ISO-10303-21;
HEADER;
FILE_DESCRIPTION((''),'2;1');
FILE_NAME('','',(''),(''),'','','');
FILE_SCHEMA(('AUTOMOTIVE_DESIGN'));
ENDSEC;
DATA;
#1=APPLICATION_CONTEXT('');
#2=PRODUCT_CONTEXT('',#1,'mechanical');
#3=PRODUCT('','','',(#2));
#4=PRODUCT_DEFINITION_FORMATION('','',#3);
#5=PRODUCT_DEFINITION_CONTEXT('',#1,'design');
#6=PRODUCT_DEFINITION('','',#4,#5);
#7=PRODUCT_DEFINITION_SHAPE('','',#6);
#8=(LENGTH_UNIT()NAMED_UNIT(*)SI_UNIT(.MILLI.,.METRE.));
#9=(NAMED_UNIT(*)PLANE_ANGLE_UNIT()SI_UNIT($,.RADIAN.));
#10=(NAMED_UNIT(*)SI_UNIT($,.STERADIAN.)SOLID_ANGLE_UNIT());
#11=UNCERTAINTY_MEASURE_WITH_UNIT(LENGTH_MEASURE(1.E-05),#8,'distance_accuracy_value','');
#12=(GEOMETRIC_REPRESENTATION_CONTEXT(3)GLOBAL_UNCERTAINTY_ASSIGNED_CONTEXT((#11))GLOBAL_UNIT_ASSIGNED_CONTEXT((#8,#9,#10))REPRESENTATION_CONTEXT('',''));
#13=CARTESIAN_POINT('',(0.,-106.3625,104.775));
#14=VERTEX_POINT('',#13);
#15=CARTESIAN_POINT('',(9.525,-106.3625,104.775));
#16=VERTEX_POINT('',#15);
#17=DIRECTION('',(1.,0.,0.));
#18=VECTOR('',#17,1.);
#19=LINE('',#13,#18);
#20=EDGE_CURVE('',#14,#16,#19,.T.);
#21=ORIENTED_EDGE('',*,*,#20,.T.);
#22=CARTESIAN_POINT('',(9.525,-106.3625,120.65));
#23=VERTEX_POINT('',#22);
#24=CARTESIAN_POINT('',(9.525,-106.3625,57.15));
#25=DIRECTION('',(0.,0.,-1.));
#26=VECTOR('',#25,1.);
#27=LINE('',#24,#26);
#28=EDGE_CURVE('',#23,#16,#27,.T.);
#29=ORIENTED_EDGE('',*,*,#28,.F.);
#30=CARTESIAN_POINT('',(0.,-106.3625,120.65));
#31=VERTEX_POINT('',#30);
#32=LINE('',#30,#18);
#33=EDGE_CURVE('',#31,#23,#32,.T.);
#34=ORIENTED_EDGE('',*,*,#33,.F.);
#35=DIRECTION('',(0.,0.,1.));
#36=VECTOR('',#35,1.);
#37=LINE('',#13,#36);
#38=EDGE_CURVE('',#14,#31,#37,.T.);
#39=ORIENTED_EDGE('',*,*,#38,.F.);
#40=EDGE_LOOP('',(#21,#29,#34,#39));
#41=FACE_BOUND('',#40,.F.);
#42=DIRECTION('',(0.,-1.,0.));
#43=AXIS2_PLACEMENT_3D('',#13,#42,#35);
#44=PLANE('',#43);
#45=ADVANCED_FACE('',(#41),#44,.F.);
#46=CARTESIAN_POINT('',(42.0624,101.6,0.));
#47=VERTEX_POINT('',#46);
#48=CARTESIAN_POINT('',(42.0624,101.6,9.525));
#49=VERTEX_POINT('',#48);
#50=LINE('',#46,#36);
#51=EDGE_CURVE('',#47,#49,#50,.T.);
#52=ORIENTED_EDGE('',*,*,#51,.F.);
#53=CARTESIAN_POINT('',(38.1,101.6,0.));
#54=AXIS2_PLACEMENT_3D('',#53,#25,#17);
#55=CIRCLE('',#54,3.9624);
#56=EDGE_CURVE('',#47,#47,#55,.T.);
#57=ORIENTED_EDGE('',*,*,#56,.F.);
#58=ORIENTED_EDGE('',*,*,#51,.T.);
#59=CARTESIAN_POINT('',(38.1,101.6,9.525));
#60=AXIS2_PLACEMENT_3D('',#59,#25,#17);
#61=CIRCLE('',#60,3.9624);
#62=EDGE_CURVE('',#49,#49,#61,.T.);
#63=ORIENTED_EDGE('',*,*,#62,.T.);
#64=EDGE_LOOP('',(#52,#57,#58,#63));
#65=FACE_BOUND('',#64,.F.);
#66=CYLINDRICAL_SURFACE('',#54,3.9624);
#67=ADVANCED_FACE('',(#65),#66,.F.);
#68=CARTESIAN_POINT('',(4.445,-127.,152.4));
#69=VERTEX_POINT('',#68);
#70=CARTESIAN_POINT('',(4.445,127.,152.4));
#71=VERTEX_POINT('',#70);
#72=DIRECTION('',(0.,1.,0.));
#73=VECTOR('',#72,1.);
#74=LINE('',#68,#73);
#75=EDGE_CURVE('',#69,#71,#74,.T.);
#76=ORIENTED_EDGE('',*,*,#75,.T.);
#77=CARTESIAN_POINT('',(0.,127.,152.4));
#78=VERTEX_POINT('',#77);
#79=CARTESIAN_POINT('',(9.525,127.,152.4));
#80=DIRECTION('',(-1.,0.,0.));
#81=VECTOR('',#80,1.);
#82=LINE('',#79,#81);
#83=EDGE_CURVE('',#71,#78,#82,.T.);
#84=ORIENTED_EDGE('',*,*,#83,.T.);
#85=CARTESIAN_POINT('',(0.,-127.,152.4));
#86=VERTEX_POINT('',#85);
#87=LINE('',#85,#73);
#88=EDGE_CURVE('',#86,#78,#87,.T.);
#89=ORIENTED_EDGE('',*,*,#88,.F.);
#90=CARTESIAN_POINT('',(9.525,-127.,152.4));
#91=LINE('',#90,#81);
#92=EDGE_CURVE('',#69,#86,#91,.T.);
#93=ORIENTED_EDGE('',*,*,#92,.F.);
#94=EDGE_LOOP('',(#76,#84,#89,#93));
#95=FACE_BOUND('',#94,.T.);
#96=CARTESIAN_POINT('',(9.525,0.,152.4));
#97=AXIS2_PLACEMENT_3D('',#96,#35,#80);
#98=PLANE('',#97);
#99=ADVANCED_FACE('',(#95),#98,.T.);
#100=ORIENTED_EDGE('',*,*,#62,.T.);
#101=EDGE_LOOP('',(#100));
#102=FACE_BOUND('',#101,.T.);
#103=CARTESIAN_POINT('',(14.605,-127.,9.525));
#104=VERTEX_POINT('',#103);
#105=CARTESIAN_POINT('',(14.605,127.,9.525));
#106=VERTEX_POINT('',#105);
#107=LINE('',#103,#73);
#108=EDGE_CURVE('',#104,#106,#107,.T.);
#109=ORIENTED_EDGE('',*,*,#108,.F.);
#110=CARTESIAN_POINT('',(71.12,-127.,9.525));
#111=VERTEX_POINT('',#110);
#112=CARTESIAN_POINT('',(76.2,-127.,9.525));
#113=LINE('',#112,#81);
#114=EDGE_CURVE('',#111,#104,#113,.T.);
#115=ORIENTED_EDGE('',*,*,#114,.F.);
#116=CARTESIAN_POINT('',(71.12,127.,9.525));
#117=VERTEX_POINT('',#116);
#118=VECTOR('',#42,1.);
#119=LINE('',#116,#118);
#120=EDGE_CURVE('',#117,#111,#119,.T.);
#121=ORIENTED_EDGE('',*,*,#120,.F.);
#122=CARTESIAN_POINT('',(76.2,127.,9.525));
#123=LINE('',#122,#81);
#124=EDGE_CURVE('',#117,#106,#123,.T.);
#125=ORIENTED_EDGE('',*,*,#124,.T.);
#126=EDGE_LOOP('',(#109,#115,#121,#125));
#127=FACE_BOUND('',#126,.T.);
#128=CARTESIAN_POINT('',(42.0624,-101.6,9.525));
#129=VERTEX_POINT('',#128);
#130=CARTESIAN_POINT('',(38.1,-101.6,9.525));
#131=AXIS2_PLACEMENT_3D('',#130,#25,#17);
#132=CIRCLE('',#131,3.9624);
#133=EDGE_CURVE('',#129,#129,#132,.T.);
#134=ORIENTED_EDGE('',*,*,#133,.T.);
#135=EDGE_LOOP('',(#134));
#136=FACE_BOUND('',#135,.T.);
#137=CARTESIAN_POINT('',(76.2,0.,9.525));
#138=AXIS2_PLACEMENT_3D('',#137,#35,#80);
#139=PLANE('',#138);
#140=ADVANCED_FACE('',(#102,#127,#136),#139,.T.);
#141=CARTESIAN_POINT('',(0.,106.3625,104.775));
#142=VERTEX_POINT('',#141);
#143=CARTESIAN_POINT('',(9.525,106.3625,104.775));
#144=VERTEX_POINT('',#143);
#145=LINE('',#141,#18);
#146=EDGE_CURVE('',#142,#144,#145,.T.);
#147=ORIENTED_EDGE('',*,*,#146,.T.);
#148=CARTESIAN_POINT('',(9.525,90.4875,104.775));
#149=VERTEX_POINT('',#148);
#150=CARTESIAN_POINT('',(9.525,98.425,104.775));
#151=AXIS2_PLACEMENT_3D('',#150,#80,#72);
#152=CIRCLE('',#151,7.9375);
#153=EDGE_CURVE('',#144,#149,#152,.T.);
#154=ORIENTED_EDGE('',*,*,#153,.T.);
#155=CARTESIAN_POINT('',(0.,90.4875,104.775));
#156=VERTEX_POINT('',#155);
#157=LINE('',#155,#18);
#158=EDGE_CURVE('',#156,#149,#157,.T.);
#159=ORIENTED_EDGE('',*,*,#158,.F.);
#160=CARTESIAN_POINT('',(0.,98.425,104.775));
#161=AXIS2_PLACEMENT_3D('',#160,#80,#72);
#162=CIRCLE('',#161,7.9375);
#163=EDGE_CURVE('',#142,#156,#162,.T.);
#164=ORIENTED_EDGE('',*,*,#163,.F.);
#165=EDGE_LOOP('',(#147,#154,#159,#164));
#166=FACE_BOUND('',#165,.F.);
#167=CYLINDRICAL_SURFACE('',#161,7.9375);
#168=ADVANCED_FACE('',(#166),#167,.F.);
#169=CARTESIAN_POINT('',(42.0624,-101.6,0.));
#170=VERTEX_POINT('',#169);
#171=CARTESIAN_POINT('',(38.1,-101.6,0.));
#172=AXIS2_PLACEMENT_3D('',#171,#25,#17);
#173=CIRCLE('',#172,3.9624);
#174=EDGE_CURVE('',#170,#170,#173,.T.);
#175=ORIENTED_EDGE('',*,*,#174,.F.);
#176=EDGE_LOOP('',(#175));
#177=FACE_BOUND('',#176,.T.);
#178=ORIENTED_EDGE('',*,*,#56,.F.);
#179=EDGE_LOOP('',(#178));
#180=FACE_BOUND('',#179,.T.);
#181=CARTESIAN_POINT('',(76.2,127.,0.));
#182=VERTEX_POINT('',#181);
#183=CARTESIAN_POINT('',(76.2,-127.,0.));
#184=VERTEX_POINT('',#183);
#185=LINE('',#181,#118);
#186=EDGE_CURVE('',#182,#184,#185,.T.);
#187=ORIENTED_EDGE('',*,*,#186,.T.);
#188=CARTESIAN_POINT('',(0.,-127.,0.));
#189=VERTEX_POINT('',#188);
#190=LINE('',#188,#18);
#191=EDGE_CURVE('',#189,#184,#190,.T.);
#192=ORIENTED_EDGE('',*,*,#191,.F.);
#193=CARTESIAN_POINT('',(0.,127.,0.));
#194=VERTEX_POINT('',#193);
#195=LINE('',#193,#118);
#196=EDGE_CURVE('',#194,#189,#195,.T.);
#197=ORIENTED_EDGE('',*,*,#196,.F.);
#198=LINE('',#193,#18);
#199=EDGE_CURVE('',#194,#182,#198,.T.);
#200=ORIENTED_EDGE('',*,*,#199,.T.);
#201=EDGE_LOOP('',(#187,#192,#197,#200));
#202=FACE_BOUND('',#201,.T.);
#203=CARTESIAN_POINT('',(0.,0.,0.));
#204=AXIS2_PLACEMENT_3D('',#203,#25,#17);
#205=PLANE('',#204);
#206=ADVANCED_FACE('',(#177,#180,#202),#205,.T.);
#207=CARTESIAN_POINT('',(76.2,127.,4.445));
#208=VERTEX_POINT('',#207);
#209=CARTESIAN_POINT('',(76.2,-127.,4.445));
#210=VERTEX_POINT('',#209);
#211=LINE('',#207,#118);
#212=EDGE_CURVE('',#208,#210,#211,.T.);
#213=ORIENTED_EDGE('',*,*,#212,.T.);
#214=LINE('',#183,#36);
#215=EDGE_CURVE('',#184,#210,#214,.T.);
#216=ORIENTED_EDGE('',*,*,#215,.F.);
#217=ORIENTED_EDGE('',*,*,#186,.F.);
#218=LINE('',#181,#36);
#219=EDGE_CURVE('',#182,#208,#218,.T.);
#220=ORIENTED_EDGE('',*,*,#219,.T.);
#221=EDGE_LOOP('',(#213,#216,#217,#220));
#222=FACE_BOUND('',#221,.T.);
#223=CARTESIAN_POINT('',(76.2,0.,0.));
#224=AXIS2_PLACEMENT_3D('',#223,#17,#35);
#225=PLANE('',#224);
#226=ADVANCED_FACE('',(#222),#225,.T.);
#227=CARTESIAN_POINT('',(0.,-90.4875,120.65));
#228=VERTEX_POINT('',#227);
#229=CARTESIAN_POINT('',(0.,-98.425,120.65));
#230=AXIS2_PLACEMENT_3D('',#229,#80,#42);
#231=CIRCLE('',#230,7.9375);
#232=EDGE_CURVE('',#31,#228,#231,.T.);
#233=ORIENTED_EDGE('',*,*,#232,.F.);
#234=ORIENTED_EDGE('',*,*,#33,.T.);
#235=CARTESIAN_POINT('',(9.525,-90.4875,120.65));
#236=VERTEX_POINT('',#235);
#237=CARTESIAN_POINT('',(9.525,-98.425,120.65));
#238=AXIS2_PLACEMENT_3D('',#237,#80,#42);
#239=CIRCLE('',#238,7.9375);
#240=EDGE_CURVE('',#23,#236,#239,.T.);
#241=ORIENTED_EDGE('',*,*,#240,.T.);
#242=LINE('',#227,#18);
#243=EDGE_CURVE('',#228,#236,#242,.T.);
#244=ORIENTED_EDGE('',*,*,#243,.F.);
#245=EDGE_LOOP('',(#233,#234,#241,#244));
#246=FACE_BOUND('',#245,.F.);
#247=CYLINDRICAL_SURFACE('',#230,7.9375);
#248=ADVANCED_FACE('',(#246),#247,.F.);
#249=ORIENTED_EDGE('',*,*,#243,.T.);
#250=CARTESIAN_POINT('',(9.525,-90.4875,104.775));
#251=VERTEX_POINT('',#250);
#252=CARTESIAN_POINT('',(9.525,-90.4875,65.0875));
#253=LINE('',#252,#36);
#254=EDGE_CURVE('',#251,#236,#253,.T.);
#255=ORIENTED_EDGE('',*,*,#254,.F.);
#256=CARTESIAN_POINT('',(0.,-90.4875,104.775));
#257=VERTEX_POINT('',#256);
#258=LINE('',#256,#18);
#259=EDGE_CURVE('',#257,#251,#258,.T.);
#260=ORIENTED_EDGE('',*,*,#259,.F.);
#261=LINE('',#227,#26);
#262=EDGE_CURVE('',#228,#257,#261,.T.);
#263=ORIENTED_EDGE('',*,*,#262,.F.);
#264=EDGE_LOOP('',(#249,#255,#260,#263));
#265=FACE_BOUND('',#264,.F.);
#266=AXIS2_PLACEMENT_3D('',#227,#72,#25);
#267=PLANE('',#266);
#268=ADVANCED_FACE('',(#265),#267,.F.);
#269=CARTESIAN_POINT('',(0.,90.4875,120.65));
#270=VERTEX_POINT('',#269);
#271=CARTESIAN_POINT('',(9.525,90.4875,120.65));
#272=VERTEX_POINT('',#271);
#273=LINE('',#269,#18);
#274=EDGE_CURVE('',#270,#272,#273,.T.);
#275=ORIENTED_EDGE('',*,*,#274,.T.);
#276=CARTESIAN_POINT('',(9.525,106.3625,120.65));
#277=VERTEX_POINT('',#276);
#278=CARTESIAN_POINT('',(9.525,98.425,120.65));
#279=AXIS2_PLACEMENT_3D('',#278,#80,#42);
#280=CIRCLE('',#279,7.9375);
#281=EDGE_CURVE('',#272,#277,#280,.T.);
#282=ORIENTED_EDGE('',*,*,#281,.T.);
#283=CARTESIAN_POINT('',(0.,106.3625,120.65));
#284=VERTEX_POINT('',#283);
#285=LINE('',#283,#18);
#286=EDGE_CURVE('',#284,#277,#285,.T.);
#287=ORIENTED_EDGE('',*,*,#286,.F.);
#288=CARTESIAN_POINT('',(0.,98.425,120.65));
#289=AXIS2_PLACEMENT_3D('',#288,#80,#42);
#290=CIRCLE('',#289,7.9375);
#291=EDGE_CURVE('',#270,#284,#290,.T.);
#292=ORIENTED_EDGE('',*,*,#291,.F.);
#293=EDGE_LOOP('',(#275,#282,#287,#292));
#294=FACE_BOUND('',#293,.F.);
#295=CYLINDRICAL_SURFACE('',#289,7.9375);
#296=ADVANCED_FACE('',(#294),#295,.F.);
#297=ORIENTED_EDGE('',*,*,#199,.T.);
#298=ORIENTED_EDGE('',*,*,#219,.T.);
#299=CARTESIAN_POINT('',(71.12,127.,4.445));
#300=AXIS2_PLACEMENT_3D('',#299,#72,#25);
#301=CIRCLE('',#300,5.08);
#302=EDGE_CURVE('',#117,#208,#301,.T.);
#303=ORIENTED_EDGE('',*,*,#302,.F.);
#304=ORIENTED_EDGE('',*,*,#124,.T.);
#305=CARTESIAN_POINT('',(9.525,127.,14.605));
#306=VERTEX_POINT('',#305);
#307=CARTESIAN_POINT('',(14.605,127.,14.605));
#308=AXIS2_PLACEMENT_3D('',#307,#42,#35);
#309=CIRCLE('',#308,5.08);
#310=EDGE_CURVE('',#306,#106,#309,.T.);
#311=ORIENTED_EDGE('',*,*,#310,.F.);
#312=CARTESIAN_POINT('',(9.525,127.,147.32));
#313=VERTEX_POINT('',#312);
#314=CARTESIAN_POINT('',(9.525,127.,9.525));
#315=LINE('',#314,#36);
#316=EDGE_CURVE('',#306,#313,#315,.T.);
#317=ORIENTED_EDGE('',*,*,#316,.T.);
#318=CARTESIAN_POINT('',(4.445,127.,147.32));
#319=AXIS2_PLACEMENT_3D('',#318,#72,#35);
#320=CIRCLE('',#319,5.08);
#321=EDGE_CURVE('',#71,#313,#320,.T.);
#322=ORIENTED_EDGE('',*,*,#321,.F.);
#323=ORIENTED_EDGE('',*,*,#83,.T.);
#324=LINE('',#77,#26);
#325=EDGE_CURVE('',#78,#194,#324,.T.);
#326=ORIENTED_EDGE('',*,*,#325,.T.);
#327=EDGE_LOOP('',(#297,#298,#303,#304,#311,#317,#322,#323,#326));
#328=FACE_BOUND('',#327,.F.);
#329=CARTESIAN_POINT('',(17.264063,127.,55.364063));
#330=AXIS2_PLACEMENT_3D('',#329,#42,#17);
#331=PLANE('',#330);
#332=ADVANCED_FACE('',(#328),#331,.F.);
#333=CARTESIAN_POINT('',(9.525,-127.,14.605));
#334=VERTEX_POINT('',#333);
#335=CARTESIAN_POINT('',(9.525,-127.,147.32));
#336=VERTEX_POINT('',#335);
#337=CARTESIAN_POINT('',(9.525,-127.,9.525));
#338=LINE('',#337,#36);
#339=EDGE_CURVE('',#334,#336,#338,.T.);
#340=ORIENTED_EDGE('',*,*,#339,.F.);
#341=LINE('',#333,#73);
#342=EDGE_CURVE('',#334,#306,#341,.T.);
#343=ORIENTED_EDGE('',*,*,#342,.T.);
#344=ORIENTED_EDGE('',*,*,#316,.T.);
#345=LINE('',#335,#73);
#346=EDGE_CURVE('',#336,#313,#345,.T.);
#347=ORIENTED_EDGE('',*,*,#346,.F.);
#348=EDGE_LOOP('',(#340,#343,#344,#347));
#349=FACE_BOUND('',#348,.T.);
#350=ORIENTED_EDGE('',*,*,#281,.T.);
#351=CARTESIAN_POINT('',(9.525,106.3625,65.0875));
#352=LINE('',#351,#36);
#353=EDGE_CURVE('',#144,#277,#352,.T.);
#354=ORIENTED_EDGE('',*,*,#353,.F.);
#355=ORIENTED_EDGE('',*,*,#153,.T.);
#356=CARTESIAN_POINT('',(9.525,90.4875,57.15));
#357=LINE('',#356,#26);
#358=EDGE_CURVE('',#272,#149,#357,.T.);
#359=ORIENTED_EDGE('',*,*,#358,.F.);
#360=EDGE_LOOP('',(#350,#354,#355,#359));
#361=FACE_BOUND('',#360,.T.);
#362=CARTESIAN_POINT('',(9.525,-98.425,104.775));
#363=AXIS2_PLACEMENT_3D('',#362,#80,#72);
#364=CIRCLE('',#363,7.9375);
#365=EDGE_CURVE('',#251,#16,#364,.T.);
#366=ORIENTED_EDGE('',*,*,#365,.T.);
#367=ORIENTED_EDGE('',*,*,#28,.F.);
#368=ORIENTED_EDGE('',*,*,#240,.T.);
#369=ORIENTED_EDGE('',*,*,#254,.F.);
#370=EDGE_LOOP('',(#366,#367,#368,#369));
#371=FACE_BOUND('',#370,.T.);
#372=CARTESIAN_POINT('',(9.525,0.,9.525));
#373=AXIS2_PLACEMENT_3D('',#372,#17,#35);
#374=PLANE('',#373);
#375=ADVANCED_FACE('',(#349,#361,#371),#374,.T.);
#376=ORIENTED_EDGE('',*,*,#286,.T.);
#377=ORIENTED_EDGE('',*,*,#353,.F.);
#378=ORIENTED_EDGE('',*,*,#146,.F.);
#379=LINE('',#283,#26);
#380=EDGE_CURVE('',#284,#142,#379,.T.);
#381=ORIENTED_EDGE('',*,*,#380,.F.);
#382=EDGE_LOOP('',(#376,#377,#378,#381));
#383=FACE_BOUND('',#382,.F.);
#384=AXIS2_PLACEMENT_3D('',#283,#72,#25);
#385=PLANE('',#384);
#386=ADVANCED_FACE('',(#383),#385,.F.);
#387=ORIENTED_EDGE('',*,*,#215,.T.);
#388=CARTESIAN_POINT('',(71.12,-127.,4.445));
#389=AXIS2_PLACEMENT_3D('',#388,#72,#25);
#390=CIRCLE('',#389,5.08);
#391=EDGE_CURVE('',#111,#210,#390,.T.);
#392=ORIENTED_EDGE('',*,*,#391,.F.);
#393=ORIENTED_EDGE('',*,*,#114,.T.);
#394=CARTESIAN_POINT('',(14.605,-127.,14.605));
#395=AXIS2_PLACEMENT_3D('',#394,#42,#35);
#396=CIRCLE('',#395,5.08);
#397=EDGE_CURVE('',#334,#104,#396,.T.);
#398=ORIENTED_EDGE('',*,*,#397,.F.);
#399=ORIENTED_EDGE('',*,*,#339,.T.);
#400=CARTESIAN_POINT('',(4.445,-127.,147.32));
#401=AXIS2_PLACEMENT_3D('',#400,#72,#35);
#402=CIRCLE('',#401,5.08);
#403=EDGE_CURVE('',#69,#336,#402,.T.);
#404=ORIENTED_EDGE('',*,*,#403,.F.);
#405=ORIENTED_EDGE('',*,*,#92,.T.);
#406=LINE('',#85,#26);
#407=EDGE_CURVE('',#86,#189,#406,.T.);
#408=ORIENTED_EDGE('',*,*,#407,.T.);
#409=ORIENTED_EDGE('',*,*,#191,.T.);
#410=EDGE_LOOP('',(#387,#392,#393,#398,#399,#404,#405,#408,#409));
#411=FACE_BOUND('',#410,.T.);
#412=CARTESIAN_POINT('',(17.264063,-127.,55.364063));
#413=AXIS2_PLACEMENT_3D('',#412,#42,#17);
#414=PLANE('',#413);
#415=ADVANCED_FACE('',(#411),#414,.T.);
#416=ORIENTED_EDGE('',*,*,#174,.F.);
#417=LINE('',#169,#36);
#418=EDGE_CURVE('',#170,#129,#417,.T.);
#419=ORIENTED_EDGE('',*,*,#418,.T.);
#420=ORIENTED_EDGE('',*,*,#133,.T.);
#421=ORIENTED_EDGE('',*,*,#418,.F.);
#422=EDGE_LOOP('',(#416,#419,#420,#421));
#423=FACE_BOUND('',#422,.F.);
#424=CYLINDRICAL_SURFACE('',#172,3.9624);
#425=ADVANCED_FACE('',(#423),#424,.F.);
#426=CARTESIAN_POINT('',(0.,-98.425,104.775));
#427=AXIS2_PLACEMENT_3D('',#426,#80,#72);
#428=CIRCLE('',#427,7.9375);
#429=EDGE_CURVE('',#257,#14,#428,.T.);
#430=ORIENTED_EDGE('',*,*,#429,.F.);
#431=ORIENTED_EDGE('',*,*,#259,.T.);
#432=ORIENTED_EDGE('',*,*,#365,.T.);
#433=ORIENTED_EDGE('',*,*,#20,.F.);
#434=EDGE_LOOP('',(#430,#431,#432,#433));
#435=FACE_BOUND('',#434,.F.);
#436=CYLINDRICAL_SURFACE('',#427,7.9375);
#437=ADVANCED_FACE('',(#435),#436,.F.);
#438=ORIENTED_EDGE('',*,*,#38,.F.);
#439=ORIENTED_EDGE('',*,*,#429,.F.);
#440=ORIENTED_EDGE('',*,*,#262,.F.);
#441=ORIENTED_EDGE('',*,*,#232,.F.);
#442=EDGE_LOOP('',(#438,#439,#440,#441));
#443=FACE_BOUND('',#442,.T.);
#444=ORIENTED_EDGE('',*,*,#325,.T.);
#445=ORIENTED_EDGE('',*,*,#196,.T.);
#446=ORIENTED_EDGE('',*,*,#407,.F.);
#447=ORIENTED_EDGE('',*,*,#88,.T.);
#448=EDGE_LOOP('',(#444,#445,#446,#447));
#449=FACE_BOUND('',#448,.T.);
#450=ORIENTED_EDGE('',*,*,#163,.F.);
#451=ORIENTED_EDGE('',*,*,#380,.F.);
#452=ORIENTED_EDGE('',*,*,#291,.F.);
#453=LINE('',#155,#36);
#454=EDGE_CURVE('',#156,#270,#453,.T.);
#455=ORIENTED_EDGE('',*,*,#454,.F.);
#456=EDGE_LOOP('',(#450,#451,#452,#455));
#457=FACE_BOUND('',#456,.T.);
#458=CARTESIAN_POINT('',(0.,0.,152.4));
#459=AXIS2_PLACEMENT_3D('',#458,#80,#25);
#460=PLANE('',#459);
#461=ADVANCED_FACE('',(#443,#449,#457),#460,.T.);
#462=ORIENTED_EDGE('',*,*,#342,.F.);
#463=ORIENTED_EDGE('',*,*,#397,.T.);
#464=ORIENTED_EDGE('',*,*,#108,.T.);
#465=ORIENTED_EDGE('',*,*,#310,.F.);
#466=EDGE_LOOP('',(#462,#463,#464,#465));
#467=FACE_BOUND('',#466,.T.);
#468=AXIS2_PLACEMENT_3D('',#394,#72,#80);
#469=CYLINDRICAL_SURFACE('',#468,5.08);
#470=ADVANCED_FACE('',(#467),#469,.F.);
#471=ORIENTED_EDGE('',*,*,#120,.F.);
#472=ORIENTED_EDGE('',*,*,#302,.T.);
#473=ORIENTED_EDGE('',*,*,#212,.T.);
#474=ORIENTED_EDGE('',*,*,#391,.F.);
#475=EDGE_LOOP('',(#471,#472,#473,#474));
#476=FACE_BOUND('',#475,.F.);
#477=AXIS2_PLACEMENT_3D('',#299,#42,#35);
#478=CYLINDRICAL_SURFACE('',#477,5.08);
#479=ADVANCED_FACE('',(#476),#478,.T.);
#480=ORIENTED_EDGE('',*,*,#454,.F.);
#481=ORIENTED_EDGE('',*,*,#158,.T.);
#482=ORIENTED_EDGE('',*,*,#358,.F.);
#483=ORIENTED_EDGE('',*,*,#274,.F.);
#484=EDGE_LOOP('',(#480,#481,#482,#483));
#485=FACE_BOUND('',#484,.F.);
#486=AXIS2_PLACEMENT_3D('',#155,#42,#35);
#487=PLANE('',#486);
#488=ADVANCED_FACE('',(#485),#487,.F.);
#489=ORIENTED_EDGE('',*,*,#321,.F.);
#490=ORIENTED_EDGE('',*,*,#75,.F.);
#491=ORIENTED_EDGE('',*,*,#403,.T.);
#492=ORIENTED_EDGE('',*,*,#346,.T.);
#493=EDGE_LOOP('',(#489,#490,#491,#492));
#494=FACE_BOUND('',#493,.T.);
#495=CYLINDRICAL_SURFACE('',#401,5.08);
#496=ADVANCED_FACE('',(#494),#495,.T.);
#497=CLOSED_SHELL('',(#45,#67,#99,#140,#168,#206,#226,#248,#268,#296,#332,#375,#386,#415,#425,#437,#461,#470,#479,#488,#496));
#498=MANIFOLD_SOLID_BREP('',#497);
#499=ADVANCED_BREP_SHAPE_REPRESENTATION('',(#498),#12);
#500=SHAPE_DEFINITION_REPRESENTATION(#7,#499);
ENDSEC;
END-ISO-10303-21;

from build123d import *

# Parameters (mm, degrees)
F1_DEPTH = 127
F2_R     = 5.08
F4_DEPTH = 25.4
F5_R     = 3.9624
F6_DEPTH = 25.4


with BuildPart() as f1:
    # F0 (on Front) → F1 (new body, symmetric)
    with BuildSketch(Plane.XZ):
        Polygon((0, 152.4), (0, 0), (76.2, 0), (76.2, 9.525), (9.525, 9.525), (9.525, 152.4), align=None)
    extrude(amount=F1_DEPTH, both=True)

    # F2
    f2_edges = [f1.edges().sort_by_distance(p)[0] for p in [
        (9.525, 0, 152.4),
        (9.525, 0, 9.525),
        (76.2, 0, 9.525),
    ]]
    fillet(f2_edges, radius=F2_R)

    # F3 (on face) → F4 (cut)
    with BuildSketch(Plane(origin=(0, 0, 0), x_dir=(0, -1, 0), z_dir=(-1, 0, 0))):
        with BuildLine():
            Line((-90.4875, 104.775), (-90.4875, 120.65))
            ThreePointArc((-90.4875, 120.65), (-98.425, 128.5875), (-106.3625, 120.65))
            Line((-106.3625, 120.65), (-106.3625, 104.775))
            ThreePointArc((-106.3625, 104.775), (-98.425, 96.8375), (-90.4875, 104.775))
        make_face()
        with BuildLine():
            ThreePointArc((106.3625, 120.65), (98.425, 128.5875), (90.4875, 120.65))
            Line((90.4875, 120.65), (90.4875, 104.775))
            ThreePointArc((90.4875, 104.775), (98.425, 96.8375), (106.3625, 104.775))
            Line((106.3625, 104.775), (106.3625, 120.65))
        make_face()
    extrude(amount=-F4_DEPTH, mode=Mode.SUBTRACT)

    # F5 (on face) → F6 (cut)
    with BuildSketch(Plane(origin=(0, 0, 0), x_dir=(1, 0, 0), z_dir=(0, 0, -1))):
        with Locations((38.1, -101.6)):
            Circle(F5_R)
        with Locations((38.1, 101.6)):
            Circle(F5_R)
    extrude(amount=-F6_DEPTH, mode=Mode.SUBTRACT)


solid = f1.part
